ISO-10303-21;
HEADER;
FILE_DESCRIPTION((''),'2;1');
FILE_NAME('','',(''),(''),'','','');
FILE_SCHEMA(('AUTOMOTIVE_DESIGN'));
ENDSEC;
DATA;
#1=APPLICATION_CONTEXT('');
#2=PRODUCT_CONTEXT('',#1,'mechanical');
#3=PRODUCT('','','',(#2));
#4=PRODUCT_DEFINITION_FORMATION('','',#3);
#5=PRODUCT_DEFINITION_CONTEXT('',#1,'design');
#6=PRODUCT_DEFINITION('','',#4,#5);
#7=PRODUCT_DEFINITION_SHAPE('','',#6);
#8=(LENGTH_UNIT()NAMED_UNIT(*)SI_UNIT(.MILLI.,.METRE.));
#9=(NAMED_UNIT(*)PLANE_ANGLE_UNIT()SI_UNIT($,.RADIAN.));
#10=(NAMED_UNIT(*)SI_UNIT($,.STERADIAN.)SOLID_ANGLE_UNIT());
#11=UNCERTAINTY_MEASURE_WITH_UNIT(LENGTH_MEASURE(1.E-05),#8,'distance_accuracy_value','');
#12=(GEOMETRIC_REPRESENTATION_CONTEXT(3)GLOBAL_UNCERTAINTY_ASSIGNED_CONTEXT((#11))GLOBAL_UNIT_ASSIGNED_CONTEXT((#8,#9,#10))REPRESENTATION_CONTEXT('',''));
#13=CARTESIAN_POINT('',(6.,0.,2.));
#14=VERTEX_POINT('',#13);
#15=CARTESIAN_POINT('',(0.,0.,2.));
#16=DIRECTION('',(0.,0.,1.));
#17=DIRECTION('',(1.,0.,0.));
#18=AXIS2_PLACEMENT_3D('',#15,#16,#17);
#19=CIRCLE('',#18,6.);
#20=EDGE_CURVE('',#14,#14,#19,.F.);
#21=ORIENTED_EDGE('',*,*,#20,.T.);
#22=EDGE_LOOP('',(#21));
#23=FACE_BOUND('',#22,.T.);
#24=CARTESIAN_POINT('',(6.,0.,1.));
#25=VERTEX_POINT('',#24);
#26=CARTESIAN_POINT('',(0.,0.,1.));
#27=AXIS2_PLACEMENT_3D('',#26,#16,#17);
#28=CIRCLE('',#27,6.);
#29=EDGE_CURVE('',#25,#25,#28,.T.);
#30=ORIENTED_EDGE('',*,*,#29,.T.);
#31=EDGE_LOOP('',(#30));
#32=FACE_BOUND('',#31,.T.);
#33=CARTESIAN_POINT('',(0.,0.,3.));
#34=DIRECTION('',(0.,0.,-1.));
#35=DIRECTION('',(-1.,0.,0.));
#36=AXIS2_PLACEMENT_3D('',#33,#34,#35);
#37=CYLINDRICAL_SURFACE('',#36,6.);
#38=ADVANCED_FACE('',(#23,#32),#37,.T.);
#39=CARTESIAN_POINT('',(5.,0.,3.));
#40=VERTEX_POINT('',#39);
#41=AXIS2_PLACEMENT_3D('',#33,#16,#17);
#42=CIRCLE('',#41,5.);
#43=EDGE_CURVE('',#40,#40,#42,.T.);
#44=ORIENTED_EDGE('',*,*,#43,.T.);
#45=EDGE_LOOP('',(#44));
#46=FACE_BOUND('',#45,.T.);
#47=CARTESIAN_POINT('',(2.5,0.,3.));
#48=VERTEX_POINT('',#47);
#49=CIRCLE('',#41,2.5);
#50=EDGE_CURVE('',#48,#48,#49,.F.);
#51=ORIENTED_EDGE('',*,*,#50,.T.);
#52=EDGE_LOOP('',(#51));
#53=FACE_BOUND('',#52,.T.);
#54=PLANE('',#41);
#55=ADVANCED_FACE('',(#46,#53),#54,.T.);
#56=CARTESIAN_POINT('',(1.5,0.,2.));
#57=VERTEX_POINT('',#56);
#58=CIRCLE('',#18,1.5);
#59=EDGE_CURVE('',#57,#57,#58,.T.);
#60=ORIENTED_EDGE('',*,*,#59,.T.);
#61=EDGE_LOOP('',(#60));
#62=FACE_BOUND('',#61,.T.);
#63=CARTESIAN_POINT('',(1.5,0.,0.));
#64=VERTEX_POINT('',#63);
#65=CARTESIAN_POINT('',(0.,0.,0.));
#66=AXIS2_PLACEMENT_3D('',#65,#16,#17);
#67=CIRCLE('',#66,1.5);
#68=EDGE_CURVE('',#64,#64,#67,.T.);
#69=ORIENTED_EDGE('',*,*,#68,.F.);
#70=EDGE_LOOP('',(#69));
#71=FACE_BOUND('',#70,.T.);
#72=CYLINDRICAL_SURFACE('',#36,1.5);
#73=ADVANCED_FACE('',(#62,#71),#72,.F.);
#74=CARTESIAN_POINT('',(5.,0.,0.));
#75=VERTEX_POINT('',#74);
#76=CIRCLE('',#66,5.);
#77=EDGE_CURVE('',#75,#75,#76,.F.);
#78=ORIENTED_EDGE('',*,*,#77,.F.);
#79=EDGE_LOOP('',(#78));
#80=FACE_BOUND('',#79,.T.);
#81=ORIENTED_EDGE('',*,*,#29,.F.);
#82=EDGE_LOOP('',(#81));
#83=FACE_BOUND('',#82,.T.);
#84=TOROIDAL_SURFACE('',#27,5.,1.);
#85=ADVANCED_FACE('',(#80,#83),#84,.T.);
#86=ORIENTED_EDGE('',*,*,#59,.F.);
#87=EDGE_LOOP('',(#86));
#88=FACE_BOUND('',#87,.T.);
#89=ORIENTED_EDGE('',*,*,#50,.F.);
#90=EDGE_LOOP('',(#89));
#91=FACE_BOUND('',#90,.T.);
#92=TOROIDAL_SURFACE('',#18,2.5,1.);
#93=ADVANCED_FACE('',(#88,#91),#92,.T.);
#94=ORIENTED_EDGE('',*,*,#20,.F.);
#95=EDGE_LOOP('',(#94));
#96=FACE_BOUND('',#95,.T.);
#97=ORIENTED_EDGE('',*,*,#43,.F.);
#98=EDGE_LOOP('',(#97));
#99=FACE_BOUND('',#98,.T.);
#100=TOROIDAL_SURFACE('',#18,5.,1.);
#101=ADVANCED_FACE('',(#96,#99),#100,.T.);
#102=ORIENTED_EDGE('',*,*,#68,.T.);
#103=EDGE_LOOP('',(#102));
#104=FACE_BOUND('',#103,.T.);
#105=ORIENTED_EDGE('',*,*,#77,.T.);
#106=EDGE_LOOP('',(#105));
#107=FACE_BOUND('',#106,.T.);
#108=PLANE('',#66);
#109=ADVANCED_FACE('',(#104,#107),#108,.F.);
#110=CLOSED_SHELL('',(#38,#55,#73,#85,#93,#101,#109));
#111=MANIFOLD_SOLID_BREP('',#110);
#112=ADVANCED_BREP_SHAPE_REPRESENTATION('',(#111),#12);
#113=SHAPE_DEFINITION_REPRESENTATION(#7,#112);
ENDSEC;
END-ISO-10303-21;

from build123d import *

# Parameters (mm, degrees)
SKETCH_1_R      = 6
SKETCH_1_R_2    = 1.5
EXTRUDE_1_DEPTH = 3
FILLET_2_R      = 1
FILLET_3_R      = 1


with BuildPart() as part:
    # 草图1 → 凸台-拉伸1 (new body)
    with BuildSketch(Plane.XY):
        Circle(SKETCH_1_R)
        Circle(SKETCH_1_R_2, mode=Mode.SUBTRACT)
    extrude(amount=EXTRUDE_1_DEPTH)

    # 圆角2
    fillet_2_edges = [part.edges().sort_by_distance(p)[0] for p in [
        (-6, 0, 0),
    ]]
    fillet(fillet_2_edges, radius=FILLET_2_R)

    # 圆角3
    fillet_3_edges = [part.edges().sort_by_distance(p)[0] for p in [
        (-6, 0, 3),
        (-1.5, 0, 3),
    ]]
    fillet(fillet_3_edges, radius=FILLET_3_R)


solid = part.part
